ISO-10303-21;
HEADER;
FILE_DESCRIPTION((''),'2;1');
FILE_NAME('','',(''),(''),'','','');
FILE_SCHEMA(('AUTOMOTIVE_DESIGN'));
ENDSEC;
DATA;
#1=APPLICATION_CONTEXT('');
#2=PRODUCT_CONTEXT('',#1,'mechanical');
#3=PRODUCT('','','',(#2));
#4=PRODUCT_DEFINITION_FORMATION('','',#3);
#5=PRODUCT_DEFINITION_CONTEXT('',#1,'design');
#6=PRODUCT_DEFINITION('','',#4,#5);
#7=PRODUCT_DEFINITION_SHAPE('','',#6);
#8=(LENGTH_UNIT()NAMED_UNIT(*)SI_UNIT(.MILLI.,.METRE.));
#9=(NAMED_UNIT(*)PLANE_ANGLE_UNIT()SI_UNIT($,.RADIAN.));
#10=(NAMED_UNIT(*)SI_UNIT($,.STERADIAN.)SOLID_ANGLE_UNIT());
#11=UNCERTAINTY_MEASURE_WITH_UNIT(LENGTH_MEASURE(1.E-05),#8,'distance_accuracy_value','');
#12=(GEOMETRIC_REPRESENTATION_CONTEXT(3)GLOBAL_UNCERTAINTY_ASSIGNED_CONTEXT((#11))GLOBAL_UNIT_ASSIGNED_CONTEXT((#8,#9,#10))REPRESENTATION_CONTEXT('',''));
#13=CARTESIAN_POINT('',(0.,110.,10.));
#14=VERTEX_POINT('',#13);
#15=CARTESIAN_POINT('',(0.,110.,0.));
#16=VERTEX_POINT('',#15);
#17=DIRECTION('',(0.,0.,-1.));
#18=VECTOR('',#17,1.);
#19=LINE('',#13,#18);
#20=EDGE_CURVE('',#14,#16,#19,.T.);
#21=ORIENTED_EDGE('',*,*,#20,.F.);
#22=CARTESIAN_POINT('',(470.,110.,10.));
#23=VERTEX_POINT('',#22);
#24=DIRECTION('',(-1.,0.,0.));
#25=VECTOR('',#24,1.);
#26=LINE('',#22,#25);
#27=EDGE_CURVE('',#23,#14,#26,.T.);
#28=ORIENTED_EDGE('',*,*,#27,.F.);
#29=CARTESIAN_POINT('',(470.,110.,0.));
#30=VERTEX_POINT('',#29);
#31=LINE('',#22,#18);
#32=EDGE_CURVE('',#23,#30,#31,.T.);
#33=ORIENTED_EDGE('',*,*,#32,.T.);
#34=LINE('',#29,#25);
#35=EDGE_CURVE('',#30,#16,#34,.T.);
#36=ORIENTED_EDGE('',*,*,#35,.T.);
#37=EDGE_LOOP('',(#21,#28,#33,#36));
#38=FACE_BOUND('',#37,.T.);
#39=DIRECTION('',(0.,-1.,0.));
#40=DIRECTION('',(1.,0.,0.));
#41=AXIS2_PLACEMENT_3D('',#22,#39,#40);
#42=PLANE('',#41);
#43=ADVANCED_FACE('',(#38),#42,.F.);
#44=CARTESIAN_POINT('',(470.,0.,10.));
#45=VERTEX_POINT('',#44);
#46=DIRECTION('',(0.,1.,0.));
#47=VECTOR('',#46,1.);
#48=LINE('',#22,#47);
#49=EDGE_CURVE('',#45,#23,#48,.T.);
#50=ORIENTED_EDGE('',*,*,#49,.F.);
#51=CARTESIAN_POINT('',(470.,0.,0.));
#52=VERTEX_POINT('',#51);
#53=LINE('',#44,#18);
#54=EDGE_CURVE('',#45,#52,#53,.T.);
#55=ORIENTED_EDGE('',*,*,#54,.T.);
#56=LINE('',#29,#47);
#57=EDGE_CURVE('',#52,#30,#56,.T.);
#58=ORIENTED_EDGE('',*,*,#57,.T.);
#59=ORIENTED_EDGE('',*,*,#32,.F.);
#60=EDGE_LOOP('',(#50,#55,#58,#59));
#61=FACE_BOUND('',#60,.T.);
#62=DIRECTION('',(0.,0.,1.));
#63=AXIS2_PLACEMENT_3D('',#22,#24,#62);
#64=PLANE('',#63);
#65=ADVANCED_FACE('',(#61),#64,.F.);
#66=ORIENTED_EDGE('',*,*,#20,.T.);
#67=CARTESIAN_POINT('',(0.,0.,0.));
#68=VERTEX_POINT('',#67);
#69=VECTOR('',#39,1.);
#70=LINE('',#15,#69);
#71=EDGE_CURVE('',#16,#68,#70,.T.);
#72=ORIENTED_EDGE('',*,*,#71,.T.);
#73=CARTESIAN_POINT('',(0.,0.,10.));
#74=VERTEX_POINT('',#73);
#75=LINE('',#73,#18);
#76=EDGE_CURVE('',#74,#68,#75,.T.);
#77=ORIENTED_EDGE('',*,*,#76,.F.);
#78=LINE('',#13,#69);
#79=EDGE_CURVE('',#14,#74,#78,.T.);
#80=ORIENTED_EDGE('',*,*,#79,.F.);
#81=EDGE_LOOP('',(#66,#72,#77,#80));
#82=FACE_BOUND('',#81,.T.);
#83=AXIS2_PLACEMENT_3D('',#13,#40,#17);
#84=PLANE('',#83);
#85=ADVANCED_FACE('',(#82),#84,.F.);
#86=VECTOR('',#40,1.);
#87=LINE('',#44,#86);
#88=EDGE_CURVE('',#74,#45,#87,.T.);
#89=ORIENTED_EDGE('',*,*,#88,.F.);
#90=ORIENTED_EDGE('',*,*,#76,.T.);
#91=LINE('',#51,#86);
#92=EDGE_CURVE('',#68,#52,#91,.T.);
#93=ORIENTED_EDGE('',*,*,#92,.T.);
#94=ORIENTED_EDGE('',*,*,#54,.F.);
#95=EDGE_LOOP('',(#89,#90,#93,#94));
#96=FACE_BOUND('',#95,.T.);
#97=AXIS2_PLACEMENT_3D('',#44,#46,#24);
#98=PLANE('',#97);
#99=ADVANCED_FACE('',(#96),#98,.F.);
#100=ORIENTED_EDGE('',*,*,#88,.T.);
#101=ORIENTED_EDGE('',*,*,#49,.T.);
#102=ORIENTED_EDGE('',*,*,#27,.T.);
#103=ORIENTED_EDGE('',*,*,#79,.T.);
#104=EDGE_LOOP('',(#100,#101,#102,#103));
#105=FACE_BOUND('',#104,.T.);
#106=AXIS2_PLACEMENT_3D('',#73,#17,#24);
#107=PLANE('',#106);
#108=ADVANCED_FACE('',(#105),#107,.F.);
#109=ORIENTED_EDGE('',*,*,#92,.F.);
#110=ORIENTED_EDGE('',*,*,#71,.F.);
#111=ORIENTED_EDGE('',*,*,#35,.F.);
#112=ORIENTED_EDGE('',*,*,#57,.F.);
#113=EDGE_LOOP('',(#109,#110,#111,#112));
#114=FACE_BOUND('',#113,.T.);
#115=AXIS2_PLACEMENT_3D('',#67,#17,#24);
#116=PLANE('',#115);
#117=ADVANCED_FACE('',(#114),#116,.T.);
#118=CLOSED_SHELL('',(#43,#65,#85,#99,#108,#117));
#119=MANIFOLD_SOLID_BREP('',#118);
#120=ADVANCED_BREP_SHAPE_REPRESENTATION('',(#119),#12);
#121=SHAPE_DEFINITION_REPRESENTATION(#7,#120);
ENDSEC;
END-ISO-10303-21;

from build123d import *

# Parameters (mm, degrees)
ESQUISSE1_W        = 470
ESQUISSE1_H        = 110
BOSS_EXTRU_1_DEPTH = 10


with BuildPart() as part:
    # Esquisse1 → Boss.-Extru.1 (new body)
    with BuildSketch(Plane.XY):
        with Locations((235, 55)):
            Rectangle(ESQUISSE1_W, ESQUISSE1_H)
    extrude(amount=BOSS_EXTRU_1_DEPTH)


solid = part.part
